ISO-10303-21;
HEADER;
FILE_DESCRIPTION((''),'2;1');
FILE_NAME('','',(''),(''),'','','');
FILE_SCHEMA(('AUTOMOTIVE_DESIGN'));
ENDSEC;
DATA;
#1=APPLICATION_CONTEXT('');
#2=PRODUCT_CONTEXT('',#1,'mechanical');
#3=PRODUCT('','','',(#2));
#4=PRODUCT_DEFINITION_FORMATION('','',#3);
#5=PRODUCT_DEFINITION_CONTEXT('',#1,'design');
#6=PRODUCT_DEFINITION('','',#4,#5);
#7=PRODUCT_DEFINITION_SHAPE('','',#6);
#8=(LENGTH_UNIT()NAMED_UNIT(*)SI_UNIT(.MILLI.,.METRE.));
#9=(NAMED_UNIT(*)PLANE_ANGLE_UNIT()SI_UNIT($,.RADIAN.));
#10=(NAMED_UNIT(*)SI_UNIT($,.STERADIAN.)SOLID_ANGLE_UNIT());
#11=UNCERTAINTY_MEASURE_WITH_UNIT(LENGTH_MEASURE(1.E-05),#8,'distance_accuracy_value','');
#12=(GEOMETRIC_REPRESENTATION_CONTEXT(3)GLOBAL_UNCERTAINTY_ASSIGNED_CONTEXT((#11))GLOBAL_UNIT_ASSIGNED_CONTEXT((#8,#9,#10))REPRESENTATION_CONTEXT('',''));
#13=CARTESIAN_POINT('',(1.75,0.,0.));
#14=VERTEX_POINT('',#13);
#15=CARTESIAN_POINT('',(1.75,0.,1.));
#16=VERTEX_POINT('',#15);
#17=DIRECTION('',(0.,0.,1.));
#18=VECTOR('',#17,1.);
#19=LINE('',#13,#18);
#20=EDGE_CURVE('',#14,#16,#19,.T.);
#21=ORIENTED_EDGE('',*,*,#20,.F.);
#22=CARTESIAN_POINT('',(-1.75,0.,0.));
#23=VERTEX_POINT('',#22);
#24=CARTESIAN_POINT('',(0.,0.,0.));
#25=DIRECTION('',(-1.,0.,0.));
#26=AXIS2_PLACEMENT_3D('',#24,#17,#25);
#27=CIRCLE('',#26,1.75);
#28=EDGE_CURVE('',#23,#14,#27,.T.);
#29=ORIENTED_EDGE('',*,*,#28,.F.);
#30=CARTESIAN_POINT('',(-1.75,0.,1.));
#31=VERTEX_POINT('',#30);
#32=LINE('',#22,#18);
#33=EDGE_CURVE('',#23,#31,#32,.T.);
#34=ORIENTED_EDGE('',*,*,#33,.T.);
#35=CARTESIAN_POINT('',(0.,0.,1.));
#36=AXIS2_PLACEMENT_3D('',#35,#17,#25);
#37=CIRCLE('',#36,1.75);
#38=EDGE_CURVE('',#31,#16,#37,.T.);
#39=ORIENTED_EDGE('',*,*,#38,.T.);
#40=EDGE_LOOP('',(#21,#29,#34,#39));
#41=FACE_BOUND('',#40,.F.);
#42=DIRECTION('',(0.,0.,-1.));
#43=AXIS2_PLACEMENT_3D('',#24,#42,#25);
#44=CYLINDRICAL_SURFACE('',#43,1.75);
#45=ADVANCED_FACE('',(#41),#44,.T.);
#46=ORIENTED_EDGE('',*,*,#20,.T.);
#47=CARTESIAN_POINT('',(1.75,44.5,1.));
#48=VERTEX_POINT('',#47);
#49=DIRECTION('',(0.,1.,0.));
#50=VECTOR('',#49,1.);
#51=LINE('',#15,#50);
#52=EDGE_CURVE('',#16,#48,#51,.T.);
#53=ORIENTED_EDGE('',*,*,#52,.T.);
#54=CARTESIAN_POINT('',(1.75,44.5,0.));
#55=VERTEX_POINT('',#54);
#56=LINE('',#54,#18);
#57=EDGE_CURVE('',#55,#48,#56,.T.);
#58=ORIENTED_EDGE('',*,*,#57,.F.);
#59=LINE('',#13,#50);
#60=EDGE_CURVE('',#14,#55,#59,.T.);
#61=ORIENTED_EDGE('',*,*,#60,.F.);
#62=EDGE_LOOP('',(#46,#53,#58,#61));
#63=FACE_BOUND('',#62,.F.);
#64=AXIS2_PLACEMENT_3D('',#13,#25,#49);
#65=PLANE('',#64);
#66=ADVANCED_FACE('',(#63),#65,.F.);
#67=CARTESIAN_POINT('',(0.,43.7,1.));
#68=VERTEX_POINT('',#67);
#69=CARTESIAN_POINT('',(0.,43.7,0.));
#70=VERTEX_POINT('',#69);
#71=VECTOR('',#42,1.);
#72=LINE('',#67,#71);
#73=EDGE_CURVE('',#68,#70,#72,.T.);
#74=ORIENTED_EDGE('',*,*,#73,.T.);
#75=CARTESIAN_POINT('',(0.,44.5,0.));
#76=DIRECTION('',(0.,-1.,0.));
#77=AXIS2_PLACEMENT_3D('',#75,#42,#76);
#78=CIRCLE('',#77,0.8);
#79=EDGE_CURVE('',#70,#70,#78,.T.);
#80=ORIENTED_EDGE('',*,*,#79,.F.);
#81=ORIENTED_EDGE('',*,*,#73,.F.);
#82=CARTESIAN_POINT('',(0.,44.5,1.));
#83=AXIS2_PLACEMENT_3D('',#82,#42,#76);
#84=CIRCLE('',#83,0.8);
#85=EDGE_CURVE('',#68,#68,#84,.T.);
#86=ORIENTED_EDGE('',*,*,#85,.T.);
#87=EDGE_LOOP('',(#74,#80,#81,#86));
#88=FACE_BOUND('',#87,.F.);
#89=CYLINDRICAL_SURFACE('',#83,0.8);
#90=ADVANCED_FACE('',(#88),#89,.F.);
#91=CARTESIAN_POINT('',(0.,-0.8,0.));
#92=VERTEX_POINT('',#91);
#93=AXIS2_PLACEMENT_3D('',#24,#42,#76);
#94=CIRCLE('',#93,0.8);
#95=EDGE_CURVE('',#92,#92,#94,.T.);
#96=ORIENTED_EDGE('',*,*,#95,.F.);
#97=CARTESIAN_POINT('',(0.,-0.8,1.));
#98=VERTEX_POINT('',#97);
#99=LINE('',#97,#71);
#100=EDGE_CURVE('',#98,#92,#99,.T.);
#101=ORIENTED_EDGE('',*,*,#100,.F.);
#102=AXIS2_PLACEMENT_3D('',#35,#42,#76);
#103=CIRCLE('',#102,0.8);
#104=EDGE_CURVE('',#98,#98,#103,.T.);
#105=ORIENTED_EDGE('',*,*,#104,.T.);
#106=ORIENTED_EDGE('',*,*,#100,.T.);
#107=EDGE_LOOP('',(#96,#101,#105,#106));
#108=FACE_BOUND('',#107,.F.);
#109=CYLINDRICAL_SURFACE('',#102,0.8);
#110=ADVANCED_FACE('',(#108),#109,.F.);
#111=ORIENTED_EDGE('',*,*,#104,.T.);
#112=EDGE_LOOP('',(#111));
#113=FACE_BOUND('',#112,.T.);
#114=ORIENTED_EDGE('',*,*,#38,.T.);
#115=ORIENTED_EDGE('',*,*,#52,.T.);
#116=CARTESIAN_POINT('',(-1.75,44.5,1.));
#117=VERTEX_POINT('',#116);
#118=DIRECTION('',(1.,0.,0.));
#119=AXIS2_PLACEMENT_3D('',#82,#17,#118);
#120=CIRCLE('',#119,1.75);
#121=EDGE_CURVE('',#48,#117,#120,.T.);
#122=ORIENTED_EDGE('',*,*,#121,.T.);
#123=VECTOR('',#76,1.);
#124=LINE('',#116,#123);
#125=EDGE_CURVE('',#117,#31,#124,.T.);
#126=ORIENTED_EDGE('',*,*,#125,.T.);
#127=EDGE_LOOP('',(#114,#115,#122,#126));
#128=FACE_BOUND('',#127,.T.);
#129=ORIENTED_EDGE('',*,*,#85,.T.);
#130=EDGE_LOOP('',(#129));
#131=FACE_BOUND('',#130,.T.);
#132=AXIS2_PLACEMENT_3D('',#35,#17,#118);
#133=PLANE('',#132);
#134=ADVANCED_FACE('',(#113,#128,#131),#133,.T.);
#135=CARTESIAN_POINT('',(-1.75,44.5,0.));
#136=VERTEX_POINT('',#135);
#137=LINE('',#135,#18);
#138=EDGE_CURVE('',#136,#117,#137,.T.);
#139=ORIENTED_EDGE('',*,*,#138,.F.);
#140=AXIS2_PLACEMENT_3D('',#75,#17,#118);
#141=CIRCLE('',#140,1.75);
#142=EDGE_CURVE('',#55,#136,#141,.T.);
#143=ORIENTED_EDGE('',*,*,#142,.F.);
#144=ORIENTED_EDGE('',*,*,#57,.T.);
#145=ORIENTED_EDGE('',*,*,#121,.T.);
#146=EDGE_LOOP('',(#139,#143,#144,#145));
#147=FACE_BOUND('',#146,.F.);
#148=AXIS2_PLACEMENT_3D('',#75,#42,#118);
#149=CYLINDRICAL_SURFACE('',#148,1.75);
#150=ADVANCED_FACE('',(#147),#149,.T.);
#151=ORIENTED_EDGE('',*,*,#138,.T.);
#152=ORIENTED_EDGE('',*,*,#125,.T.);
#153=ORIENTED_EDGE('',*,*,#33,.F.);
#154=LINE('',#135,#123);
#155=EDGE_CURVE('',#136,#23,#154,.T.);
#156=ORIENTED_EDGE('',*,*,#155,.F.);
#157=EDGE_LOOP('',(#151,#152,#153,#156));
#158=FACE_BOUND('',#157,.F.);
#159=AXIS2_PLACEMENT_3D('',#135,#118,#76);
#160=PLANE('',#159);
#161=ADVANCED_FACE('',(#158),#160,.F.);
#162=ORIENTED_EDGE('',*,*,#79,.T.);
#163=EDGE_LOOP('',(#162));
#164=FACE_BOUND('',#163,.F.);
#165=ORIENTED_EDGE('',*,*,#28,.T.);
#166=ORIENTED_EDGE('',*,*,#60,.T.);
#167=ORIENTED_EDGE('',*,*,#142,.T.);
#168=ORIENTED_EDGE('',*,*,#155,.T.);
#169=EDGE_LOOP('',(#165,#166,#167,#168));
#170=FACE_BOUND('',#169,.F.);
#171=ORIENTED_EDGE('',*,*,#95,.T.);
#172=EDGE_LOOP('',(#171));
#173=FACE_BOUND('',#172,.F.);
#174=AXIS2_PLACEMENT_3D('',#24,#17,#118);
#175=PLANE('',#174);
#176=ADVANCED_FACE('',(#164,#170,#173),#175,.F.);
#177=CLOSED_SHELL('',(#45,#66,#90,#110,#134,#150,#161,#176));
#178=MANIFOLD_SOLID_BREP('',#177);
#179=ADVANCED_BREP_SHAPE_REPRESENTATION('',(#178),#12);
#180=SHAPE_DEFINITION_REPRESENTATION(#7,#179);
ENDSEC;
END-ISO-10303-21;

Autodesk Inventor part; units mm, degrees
ref_plane "YZ Plane" through (0, 0, 0) normal (1, 0, 0) x (0, 1, 0)
ref_plane "XZ Plane" through (0, 0, 0) normal (0, 1, 0) x (-1, 0, 0)
ref_plane "XY Plane" through (0, 0, 0) normal (0, 0, 1) x (1, 0, 0)
sketch "Skizze1" plane through (0, 0, 0) normal (0, 0, 1) x (1, 0, 0)
  line L0 (0, 0) -> (0, 44.5) construction
  line L1 (1.75, 0) -> (1.75, 44.5)
  line L2 (-1.75, 44.5) -> (-1.75, 0)
  arc A0 (-1.75, 0) -> (1.75, 0) centre (0, 0) ccw
  arc A1 (1.75, 44.5) -> (-1.75, 44.5) centre (0, 44.5) ccw
  point P0 (0, 22.25)
  dimension "d0" = 44.5
  dimension "d1" = 3.5
extrude "Extrusion1" add sketch "Skizze1" along normal blind 1
sketch "Skizze2" plane through (0, 0, 1) normal (0, 0, 1) x (1, 0, 0)
  arc A0 (1.75, 44.5) -> (-1.75, 44.5) centre (0, 44.5) ccw projected
  point P0 (0, 0)
hole "Bohrung1" at (0, 44.5, 1) at (0, 0, 1) direction (0, 0, -1) diameter 1.6 depth 1
properties part number "pleuelstange" material "Titan"
